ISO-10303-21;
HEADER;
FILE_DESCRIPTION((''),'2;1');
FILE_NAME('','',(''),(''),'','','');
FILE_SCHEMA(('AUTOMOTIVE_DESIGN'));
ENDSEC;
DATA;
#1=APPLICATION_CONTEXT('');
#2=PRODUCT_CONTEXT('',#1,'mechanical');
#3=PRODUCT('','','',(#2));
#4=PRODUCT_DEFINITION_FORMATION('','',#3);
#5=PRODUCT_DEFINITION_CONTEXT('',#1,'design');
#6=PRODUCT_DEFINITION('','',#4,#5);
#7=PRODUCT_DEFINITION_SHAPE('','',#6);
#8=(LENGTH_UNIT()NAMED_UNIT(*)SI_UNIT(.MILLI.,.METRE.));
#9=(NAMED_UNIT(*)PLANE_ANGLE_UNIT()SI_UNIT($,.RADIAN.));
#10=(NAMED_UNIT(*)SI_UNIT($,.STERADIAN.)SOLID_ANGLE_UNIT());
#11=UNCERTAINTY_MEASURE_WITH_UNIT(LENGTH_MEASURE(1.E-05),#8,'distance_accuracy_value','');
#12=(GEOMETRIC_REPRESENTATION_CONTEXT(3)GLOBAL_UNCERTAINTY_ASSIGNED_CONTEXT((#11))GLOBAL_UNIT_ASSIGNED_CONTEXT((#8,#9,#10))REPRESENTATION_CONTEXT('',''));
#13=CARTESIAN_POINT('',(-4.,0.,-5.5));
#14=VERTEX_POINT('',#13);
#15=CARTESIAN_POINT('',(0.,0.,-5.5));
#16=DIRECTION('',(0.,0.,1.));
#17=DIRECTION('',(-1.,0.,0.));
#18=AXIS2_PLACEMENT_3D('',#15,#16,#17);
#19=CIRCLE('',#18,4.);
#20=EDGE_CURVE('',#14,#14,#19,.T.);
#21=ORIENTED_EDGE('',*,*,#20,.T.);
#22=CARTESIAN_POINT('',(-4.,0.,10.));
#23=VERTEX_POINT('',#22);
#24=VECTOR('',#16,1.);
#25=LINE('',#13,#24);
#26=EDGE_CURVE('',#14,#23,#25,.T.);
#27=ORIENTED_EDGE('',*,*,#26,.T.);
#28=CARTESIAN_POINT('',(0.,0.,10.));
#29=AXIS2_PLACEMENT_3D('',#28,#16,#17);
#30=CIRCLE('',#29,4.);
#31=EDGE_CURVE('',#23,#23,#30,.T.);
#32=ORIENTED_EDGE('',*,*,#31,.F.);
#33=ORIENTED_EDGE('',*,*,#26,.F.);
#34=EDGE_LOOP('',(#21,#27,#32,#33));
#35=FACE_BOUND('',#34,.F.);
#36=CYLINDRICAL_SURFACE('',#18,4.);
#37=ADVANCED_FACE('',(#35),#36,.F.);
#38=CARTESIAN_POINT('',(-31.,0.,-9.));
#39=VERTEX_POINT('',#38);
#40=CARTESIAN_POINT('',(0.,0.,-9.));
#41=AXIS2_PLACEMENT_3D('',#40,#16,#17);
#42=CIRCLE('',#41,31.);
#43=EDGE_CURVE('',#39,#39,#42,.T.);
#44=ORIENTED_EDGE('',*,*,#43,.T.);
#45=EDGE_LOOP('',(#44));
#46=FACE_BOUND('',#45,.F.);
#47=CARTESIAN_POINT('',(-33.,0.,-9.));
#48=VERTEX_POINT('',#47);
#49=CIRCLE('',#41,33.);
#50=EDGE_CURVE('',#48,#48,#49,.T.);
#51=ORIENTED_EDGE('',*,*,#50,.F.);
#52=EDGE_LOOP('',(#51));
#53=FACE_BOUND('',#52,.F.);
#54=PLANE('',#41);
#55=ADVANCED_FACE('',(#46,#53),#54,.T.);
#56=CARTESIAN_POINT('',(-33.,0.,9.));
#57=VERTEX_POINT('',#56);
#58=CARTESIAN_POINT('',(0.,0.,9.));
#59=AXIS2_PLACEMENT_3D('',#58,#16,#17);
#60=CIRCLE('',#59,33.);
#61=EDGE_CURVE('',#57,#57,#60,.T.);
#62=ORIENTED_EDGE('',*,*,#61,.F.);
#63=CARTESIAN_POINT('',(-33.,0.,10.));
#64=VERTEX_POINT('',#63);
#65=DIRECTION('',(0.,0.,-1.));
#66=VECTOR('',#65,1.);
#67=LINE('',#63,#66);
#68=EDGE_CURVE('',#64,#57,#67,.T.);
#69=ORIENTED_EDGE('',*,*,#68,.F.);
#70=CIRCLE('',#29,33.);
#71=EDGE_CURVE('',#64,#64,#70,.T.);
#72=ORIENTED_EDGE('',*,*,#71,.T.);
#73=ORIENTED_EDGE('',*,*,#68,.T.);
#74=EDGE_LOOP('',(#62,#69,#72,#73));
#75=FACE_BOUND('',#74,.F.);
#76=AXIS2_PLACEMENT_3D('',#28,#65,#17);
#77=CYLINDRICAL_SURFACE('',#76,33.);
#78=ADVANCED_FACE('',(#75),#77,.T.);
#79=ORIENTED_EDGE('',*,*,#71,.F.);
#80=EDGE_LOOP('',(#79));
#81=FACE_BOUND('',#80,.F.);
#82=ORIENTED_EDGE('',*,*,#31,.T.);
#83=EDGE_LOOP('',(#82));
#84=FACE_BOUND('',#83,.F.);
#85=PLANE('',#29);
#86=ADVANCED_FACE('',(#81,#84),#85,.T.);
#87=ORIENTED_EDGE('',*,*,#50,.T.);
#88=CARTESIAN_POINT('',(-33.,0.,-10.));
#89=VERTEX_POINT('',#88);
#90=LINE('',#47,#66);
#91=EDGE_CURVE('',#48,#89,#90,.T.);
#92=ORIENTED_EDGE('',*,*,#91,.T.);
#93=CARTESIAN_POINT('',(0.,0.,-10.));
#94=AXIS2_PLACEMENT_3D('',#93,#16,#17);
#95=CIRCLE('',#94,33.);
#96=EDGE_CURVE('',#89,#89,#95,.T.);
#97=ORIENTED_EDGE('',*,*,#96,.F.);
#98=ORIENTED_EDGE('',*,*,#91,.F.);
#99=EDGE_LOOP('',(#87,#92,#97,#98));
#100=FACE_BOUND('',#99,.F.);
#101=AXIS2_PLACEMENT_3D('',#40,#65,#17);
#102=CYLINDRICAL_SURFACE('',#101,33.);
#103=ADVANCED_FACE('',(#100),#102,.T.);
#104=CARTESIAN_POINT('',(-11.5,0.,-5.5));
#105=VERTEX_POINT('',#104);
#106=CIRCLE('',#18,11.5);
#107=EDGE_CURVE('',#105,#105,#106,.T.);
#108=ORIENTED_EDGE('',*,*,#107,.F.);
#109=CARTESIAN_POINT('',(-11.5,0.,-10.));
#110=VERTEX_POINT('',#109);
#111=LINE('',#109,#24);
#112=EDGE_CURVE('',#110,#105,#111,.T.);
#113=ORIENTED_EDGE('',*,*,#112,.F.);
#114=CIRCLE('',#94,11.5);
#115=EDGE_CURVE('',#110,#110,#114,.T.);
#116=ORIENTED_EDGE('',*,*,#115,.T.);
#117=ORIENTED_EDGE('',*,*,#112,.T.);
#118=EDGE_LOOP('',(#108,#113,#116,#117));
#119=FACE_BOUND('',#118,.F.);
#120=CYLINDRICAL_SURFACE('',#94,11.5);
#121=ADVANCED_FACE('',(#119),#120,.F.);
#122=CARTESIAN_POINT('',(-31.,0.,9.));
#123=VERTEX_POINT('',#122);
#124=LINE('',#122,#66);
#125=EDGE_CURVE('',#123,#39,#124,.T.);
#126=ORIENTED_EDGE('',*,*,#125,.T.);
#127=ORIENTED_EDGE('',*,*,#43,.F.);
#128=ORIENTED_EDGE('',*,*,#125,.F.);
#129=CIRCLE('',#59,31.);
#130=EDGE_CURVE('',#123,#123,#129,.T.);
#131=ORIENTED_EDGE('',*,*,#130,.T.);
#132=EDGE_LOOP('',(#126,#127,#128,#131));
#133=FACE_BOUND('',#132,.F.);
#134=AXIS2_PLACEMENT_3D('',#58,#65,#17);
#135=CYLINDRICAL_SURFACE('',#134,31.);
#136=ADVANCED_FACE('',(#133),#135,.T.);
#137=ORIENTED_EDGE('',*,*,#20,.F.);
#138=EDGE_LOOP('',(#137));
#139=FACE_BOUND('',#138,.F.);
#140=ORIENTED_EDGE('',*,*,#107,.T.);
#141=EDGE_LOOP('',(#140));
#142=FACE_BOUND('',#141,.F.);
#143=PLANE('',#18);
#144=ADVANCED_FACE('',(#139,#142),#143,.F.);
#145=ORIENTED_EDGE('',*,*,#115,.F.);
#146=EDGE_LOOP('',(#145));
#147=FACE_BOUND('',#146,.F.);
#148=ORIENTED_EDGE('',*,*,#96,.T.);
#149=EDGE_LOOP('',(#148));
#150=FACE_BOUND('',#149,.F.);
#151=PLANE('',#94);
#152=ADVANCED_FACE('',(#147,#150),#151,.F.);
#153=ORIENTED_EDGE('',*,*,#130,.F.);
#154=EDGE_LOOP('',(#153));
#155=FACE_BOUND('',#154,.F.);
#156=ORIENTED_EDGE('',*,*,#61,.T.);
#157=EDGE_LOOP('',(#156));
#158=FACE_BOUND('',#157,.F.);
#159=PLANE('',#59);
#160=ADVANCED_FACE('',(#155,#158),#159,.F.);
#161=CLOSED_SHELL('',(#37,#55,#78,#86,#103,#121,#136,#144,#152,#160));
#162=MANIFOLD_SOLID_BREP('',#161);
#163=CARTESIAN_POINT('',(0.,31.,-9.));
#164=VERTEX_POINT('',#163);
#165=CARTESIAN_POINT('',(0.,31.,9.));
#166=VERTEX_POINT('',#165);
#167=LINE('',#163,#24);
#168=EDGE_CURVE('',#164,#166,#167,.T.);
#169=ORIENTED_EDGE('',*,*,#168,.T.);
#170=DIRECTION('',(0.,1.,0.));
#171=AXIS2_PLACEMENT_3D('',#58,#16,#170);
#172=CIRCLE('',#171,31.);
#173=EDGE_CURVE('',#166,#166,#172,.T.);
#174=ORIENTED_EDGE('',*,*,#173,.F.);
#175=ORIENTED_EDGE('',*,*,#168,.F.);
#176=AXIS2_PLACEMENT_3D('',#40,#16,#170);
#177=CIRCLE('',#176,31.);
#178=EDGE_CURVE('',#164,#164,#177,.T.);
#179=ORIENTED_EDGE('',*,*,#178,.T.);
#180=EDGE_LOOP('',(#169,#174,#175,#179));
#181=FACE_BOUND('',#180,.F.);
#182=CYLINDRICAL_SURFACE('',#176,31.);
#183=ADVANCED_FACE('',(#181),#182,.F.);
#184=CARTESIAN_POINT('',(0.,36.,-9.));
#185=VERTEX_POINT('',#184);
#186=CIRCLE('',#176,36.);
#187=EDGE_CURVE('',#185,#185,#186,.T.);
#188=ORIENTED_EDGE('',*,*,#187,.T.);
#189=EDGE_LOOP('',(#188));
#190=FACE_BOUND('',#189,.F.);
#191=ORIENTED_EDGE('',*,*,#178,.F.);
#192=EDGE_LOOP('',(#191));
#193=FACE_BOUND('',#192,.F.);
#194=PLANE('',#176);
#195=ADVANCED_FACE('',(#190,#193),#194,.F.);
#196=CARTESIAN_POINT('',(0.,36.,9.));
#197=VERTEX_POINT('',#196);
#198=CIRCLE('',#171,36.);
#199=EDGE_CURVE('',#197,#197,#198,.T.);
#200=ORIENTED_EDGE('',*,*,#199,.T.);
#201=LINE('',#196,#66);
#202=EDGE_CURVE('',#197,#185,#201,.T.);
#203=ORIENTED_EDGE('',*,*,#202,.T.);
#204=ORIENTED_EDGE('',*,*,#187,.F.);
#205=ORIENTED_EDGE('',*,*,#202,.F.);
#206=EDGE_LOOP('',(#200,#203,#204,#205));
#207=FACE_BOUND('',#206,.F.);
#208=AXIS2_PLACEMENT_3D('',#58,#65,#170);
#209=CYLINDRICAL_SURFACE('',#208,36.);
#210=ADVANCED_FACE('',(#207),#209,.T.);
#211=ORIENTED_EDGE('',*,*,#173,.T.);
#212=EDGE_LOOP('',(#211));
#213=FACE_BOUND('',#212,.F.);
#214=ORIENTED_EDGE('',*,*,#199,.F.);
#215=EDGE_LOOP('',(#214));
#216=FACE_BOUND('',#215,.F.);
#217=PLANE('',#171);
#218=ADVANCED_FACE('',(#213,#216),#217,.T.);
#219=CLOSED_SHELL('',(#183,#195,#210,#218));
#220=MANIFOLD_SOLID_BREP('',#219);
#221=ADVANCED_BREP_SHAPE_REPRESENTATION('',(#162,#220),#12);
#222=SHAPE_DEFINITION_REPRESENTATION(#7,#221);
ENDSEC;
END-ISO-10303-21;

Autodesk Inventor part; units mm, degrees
ref_plane "YZ Plane" through (0, 0, 0) normal (1, 0, 0) x (0, 1, 0)
ref_plane "XZ Plane" through (0, 0, 0) normal (0, 1, 0) x (-1, 0, 0)
ref_plane "XY Plane" through (0, 0, 0) normal (0, 0, 1) x (1, 0, 0)
sketch "Skizze1" plane through (0, 0, 0) normal (0, 1, 0) x (-1, 0, 0)
  line L0 (4, 10) -> (33, 10)
  line L1 (33, 10) -> (33, 9)
  line L2 (33, 9) -> (31, 9)
  line L3 (31, 9) -> (31, -9)
  line L4 (31, -9) -> (33, -9)
  line L5 (33, -9) -> (33, -10)
  line L6 (33, -10) -> (11.5, -10)
  line L7 (11.5, -10) -> (11.5, -5.5)
  line L8 (11.5, -5.5) -> (4, -5.5)
  line L9 (4, -5.5) -> (4, 10)
  line L10 (0, -14) -> (0, 14) construction
  line L11 (39.6, 0) -> (-6.6, 0) construction
  point P0 (0, 0)
  point P1 (31, 0)
  dimension "d0" = 4
  dimension "d1" = 2
  dimension "d2" = 33
  dimension "d3" = 18
  dimension "d4" = 20
  dimension "d5" = 4.5
  dimension "d6" = 11.5
revolve "Umdrehung1" add sketch "Skizze1" angle 360 about axis through (0, 0, -10) along (0, 0, 1)
sketch "Skizze2" plane through (0, 0, 0) normal (1, 0, 0) x (0, 1, 0)
  line L0 (-33, -9) -> (33, -9) construction
  line L1 (31, 9) -> (31, -9) construction
  line L2 (-33, 9) -> (33, 9) construction
  line L3 (36, -9) -> (31, -9)
  line L4 (31, -9) -> (31, 9)
  line L5 (31, 9) -> (36, 9)
  line L6 (36, 9) -> (36, -9)
  line L7 (0, -14) -> (0, 14) projected
  point P0 (0, 0)
  dimension "d8" = 5
revolve "Umdrehung2" add sketch "Skizze2" angle 360 about axis through (0, 0, -10) along (0, 0, 1) separate body
properties part number "Rad"
